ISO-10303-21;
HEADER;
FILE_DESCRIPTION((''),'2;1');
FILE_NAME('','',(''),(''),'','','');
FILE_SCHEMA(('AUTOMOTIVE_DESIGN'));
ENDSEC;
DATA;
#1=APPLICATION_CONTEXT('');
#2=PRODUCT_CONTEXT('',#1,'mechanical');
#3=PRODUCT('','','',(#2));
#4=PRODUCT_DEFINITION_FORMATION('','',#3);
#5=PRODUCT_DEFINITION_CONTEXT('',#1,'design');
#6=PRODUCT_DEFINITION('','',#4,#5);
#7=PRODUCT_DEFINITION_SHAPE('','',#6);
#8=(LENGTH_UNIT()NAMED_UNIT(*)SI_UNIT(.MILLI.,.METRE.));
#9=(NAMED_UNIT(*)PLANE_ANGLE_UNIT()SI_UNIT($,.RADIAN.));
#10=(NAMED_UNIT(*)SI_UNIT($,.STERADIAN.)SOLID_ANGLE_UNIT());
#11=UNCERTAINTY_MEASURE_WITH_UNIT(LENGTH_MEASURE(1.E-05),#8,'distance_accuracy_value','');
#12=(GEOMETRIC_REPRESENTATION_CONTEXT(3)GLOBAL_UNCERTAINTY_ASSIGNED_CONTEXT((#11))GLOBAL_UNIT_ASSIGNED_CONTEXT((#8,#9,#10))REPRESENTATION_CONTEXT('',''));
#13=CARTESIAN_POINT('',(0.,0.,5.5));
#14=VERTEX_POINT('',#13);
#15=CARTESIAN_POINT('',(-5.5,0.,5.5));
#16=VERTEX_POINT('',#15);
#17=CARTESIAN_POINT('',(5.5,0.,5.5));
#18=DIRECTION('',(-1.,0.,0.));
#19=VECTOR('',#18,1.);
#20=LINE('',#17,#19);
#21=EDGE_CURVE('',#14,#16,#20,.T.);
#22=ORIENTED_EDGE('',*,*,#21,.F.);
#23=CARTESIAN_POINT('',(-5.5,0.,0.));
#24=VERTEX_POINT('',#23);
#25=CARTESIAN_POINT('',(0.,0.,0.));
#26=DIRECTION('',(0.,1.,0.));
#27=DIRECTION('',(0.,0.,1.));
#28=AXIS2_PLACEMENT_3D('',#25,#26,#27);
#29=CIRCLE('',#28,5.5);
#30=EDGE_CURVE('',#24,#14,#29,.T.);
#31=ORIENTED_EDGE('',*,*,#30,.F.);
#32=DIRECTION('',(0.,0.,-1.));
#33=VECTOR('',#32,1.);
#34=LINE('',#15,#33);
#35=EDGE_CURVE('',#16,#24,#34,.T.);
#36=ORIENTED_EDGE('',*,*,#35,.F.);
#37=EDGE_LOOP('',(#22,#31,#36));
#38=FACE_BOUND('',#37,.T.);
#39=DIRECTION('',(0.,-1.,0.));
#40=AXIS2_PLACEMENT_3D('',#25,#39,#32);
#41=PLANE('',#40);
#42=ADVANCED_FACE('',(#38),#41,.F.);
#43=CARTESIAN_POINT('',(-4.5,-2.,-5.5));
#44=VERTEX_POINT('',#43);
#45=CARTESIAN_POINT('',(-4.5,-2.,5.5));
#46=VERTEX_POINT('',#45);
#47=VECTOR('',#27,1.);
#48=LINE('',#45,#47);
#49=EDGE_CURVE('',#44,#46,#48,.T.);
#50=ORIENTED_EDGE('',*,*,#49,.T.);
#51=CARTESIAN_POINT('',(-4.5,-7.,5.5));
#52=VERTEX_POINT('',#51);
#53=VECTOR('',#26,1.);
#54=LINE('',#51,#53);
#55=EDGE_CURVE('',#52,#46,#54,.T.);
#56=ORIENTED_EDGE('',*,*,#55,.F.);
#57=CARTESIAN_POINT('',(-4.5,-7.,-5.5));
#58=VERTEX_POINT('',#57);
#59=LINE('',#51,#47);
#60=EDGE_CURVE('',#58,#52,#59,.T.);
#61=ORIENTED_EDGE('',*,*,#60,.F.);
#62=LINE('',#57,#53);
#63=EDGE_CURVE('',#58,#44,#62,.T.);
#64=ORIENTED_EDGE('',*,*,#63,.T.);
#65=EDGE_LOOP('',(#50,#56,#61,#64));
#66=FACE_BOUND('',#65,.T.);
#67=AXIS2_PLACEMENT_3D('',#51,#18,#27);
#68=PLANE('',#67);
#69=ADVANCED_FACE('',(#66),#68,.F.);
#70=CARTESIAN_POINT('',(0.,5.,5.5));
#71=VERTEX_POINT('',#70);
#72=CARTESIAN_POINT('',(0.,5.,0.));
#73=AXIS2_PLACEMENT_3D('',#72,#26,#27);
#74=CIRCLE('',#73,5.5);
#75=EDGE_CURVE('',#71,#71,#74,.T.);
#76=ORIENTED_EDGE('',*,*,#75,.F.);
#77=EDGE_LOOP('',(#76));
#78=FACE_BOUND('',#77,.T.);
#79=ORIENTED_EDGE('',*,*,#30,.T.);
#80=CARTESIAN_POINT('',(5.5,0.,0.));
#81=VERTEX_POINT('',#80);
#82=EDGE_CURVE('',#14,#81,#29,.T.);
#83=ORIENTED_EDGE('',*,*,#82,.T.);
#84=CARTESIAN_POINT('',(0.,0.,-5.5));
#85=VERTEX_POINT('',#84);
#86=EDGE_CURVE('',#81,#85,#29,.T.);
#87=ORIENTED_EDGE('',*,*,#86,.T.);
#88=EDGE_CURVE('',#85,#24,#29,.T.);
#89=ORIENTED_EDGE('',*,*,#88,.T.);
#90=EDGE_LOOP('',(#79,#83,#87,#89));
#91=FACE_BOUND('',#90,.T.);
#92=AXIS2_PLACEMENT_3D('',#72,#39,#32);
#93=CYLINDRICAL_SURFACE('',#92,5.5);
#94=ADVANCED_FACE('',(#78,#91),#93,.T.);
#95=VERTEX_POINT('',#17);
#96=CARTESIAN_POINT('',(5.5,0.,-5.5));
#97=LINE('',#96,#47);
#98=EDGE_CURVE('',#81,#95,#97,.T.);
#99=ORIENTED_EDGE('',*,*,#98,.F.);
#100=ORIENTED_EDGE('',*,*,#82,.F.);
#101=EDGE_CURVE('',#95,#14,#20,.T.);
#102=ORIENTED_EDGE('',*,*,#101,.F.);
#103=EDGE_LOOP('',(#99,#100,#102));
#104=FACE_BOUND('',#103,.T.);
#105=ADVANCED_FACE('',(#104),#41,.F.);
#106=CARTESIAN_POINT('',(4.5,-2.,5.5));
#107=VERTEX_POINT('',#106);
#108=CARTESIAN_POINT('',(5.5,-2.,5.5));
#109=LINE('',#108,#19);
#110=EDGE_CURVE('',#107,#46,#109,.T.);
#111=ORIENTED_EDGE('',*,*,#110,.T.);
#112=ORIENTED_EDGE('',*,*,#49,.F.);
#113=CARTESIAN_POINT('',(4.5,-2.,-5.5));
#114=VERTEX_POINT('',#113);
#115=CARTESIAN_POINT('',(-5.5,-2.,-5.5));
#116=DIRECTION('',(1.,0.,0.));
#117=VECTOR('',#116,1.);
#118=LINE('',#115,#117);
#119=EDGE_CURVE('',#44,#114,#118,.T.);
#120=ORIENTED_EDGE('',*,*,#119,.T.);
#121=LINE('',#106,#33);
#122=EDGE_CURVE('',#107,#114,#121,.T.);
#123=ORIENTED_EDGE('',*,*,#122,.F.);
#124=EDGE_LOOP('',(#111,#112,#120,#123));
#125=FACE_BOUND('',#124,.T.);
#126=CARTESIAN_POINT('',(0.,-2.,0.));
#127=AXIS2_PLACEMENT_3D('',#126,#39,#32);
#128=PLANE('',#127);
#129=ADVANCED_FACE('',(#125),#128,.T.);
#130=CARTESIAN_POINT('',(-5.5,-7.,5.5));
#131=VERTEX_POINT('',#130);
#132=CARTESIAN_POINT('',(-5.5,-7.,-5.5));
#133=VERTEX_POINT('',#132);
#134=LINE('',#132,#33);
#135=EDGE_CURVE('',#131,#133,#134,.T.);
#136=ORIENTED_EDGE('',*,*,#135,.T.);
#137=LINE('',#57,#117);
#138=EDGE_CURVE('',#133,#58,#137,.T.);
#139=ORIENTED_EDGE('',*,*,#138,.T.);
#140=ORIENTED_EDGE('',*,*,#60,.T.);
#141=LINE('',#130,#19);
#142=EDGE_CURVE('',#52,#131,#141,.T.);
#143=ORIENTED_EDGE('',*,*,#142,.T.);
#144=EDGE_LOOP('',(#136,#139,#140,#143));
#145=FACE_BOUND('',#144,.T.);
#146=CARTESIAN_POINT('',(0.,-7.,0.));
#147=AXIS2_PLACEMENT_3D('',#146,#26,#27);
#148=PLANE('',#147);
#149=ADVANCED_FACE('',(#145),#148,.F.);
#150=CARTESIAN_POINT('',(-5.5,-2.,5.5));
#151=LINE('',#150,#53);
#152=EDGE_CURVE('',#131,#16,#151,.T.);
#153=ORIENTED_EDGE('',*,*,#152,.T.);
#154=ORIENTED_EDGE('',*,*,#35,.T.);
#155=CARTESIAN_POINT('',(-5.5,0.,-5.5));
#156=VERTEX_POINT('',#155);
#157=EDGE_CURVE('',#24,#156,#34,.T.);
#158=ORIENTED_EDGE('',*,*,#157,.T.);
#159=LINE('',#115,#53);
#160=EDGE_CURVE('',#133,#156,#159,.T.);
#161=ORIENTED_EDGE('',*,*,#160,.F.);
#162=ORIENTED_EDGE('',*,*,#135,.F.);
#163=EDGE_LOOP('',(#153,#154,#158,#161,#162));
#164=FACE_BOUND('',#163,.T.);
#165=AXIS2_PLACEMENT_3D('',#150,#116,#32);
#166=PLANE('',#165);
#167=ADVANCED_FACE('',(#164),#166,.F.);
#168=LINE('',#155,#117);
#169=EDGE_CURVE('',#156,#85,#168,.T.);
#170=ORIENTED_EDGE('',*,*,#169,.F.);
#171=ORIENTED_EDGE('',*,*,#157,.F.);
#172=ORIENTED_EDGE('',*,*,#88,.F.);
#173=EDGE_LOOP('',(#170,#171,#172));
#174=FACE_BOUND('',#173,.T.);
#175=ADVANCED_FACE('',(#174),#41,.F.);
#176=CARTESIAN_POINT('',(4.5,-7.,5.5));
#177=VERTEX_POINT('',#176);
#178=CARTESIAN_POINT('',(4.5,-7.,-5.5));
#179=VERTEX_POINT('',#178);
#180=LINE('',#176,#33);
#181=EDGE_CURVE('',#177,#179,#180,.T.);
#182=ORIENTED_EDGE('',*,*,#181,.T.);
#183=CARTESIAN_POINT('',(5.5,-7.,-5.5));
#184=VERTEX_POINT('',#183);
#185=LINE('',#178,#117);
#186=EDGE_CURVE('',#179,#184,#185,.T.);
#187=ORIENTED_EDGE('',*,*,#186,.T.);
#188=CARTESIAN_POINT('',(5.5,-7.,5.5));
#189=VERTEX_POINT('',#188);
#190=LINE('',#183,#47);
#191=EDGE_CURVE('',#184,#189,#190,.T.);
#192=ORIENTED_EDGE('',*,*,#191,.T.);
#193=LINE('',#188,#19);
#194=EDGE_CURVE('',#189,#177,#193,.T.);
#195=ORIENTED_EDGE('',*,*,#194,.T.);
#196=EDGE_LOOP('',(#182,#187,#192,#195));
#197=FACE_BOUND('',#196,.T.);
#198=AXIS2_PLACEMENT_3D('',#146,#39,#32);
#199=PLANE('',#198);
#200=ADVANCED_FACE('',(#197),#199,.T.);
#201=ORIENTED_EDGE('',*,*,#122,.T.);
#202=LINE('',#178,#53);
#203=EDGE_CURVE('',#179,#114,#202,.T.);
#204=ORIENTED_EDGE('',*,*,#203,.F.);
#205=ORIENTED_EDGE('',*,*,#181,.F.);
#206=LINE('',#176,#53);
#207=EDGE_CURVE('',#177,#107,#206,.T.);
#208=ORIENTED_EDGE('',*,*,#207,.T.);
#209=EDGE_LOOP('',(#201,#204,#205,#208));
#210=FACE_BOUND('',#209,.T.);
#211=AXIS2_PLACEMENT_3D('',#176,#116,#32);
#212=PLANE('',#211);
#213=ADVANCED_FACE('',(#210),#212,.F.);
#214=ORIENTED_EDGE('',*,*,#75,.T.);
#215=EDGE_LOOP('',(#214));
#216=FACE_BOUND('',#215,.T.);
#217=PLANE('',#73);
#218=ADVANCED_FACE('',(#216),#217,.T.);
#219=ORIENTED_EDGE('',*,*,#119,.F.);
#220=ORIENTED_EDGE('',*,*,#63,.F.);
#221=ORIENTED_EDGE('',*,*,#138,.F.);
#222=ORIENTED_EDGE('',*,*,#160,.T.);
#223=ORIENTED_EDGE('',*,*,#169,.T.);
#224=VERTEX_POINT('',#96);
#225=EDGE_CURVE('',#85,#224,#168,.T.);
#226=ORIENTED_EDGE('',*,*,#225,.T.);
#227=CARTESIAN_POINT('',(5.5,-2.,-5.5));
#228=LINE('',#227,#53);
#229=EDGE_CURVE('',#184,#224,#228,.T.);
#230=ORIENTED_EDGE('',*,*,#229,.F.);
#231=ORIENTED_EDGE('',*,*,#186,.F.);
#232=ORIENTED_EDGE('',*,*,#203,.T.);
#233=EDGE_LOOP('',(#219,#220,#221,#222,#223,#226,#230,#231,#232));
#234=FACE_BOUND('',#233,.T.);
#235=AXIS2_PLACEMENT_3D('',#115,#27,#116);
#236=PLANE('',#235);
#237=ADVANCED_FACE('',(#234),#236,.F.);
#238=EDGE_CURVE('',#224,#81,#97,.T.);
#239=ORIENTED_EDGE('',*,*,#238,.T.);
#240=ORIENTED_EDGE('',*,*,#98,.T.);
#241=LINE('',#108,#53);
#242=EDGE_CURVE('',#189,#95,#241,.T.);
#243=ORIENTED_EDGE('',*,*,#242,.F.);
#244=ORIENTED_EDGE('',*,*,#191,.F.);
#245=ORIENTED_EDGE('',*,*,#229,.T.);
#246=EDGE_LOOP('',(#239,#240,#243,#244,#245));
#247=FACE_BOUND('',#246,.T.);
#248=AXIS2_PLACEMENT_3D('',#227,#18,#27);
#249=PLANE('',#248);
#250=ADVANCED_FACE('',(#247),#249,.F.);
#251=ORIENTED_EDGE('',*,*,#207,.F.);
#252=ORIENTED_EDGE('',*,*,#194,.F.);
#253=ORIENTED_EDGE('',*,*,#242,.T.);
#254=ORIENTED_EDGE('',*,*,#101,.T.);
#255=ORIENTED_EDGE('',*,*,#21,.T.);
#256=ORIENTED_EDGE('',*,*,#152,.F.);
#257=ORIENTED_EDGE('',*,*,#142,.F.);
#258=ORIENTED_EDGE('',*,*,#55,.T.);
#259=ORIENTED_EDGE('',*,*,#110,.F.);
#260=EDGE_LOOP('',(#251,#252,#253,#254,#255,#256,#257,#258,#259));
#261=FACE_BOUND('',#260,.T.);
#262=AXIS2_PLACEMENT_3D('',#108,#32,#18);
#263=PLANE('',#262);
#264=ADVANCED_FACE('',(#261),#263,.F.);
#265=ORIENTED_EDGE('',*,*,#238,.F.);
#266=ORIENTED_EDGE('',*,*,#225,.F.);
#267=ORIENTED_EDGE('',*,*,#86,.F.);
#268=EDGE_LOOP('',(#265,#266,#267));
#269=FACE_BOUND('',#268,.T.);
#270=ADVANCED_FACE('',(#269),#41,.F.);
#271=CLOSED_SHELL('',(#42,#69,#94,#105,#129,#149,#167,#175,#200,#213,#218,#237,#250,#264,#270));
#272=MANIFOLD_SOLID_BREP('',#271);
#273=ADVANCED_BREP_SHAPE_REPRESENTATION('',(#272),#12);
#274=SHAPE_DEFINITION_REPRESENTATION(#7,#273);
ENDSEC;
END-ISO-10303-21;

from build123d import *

# Parameters (mm, degrees)
SKETCH1_R           = 5.5
BOSS_EXTRUDE1_DEPTH = 5
SKETCH2_W           = 11
SKETCH2_H           = 11
BOSS_EXTRUDE2_DEPTH = 2
SKETCH3_W           = 1
SKETCH3_H           = 11
BOSS_EXTRUDE3_DEPTH = 5


with BuildPart() as part:
    # Sketch1 → Boss-Extrude1 (new body)
    with BuildSketch(Plane(origin=(0, 0, 0), x_dir=(1, 0, 0), z_dir=(0, 1, 0))):
        with Locations(Location((0, 0, 0), (0, 0, 270))):
            Circle(SKETCH1_R)
    extrude(amount=BOSS_EXTRUDE1_DEPTH)

    # Sketch2 → Boss-Extrude2 (add)
    with BuildSketch(Plane(origin=(0, 0, 0), x_dir=(-1, 0, 0), z_dir=(0, -1, 0))):
        Rectangle(SKETCH2_W, SKETCH2_H)
    extrude(amount=BOSS_EXTRUDE2_DEPTH)

    # Sketch3 → Boss-Extrude3 (add)
    with BuildSketch(Plane(origin=(0, -2, 0), x_dir=(-1, 0, 0), z_dir=(0, -1, 0))):
        with Locations((5, 0)):
            Rectangle(SKETCH3_W, SKETCH3_H)
        with Locations((-5, 0)):
            Rectangle(SKETCH3_W, SKETCH3_H)
    extrude(amount=BOSS_EXTRUDE3_DEPTH)


solid = part.part
